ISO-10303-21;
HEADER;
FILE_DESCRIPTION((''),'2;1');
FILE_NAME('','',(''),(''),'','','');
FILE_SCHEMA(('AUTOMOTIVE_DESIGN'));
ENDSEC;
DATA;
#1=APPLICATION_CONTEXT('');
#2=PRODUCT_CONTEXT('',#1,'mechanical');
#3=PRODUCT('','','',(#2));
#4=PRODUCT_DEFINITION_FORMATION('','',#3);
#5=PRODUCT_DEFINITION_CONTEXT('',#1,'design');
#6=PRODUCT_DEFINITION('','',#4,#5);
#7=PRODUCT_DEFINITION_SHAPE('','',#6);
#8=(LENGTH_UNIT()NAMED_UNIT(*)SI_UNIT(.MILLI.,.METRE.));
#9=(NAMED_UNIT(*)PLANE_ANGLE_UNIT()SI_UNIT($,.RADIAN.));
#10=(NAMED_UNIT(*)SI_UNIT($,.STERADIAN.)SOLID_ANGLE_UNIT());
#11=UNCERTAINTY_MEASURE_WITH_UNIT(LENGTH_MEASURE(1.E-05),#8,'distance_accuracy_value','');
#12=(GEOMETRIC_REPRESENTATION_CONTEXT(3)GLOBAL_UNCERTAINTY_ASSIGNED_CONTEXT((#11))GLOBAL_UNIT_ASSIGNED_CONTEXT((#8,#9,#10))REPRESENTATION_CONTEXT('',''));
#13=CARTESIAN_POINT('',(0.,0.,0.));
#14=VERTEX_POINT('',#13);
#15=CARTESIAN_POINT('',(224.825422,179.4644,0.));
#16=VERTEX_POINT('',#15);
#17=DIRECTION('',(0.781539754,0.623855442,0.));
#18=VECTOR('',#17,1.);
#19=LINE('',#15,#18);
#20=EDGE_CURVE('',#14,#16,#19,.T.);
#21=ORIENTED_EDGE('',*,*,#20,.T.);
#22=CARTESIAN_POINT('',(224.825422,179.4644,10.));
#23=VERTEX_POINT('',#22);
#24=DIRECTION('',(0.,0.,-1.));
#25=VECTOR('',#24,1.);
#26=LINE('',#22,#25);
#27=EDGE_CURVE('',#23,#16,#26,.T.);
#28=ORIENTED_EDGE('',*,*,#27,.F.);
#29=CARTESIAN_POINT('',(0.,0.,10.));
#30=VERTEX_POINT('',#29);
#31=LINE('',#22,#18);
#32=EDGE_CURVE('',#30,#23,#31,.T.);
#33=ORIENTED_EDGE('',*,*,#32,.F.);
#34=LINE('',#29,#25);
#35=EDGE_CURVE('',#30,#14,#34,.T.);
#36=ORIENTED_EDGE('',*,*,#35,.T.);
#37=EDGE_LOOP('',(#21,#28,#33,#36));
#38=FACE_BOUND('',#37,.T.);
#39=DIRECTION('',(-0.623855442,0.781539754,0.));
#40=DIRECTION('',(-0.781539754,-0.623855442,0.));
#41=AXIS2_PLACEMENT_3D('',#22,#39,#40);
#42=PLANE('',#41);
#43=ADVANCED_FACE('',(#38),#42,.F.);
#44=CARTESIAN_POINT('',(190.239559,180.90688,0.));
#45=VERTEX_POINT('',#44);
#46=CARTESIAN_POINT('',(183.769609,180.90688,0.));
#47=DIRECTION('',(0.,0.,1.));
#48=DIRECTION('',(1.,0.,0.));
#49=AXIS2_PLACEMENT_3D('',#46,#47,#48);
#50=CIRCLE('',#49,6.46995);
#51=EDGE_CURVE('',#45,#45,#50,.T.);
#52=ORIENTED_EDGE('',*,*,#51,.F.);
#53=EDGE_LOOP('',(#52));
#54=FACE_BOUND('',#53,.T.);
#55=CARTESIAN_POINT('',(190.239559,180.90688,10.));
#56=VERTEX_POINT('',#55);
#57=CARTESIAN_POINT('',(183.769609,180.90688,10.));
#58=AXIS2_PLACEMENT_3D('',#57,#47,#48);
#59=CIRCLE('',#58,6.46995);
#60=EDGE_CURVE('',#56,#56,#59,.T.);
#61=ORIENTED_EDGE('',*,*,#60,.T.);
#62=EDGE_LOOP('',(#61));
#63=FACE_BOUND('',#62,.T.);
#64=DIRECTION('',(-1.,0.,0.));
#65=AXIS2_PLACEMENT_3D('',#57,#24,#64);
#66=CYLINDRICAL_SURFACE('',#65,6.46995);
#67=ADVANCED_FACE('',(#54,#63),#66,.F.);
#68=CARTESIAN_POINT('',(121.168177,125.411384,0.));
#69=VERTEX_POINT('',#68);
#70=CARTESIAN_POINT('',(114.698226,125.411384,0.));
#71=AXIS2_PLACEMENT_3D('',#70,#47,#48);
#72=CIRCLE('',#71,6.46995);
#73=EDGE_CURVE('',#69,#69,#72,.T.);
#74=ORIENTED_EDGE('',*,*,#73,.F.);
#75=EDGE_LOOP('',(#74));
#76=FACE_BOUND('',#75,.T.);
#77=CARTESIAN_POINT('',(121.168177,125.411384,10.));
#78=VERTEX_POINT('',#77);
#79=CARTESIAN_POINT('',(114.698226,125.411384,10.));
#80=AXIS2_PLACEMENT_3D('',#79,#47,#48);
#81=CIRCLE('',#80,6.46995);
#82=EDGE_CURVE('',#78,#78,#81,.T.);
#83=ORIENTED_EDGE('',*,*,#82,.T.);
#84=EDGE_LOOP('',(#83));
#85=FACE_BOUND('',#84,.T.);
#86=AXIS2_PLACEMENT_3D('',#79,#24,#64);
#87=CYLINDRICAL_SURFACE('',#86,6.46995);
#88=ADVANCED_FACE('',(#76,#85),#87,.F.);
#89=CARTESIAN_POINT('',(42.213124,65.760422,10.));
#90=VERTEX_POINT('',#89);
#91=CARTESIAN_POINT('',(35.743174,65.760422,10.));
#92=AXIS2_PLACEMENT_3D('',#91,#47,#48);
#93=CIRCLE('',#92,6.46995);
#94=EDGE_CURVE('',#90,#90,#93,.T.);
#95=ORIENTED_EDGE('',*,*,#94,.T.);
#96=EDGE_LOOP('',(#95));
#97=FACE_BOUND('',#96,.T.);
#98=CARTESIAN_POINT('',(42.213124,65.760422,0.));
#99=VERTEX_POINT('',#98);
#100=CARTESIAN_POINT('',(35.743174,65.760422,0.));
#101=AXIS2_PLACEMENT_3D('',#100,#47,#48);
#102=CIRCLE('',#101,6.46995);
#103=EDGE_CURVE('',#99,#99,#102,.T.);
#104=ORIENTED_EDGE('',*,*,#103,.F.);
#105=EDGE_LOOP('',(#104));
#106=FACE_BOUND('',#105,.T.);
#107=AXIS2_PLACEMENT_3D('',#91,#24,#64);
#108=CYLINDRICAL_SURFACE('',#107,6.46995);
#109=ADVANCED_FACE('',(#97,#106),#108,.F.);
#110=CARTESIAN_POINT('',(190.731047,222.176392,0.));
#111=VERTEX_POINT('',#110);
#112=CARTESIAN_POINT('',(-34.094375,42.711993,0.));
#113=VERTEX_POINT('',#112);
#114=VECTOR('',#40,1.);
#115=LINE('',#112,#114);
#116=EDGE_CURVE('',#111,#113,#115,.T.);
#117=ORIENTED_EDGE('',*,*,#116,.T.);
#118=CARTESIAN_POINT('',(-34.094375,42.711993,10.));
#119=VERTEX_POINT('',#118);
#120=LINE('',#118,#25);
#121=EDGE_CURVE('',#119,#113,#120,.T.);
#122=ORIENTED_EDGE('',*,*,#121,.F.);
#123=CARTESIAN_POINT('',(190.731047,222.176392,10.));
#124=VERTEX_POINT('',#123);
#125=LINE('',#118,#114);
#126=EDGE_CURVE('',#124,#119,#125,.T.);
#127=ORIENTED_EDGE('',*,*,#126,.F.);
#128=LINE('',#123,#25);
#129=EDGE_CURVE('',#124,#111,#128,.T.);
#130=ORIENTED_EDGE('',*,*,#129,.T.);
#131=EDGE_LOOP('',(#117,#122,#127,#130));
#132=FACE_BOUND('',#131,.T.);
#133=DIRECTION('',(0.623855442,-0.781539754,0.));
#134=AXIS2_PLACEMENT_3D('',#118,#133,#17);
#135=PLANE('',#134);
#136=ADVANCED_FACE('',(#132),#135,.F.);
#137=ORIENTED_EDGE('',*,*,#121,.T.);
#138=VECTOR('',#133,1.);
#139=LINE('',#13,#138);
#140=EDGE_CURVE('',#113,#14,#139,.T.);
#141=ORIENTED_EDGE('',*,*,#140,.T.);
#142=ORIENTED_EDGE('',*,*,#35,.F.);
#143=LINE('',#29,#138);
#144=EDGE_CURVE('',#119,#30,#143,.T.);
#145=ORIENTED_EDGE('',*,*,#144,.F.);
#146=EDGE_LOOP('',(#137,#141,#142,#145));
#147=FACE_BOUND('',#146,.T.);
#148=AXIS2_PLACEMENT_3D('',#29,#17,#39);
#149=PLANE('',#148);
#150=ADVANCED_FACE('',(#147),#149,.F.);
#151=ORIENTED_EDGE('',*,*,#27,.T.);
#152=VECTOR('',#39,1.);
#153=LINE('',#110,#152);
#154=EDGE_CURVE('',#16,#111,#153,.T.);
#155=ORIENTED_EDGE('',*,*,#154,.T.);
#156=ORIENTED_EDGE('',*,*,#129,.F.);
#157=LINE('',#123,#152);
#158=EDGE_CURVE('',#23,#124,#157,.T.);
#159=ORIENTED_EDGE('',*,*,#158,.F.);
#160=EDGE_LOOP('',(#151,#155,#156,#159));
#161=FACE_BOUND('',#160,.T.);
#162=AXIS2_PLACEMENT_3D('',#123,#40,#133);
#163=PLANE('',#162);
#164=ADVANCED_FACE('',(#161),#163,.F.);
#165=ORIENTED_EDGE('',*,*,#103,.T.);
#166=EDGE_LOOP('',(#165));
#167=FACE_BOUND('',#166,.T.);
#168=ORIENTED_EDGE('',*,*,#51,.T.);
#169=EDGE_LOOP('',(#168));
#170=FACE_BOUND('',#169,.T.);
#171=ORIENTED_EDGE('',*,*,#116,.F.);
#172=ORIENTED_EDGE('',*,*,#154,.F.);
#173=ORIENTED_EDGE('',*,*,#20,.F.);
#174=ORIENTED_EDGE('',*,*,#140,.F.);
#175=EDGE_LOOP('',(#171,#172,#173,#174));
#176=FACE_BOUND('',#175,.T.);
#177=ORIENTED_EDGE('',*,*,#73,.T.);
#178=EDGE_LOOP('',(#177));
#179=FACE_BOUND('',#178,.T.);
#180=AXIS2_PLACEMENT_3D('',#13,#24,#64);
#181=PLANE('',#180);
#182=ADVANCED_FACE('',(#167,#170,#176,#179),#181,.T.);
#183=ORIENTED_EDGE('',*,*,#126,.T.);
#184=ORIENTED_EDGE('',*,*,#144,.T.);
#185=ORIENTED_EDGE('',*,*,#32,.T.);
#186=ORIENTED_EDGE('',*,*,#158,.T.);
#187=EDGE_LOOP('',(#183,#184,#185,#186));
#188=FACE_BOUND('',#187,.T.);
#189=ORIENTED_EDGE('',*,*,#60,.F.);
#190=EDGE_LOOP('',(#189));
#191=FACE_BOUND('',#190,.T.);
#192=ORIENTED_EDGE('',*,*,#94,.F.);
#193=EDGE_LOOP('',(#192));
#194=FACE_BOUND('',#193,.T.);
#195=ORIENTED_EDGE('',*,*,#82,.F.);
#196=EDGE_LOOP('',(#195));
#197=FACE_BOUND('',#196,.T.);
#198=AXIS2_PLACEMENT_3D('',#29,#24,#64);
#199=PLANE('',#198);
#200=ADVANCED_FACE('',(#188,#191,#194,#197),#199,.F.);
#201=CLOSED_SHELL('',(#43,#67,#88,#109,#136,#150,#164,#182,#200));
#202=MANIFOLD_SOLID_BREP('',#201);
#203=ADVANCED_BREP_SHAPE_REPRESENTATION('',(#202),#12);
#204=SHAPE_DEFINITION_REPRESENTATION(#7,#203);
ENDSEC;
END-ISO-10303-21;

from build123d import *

# Parameters (mm, degrees)
SKETCH1_R           = 6.469950333
BOSS_EXTRUDE1_DEPTH = 10


with BuildPart() as part:
    # Sketch1 → Boss-Extrude1 (new body)
    with BuildSketch(Plane.XY):
        Polygon((0, 0), (-34.094374575, 42.711992732), (190.731046947, 222.176392423), (224.825421522, 179.464399691), align=None)
        with Locations((35.743173778, 65.760421737)):
            Circle(SKETCH1_R, mode=Mode.SUBTRACT)
        with Locations((114.698226452, 125.411384111)):
            Circle(SKETCH1_R, mode=Mode.SUBTRACT)
        with Locations((183.769608582, 180.906879578)):
            Circle(SKETCH1_R, mode=Mode.SUBTRACT)
    extrude(amount=BOSS_EXTRUDE1_DEPTH)


solid = part.part
